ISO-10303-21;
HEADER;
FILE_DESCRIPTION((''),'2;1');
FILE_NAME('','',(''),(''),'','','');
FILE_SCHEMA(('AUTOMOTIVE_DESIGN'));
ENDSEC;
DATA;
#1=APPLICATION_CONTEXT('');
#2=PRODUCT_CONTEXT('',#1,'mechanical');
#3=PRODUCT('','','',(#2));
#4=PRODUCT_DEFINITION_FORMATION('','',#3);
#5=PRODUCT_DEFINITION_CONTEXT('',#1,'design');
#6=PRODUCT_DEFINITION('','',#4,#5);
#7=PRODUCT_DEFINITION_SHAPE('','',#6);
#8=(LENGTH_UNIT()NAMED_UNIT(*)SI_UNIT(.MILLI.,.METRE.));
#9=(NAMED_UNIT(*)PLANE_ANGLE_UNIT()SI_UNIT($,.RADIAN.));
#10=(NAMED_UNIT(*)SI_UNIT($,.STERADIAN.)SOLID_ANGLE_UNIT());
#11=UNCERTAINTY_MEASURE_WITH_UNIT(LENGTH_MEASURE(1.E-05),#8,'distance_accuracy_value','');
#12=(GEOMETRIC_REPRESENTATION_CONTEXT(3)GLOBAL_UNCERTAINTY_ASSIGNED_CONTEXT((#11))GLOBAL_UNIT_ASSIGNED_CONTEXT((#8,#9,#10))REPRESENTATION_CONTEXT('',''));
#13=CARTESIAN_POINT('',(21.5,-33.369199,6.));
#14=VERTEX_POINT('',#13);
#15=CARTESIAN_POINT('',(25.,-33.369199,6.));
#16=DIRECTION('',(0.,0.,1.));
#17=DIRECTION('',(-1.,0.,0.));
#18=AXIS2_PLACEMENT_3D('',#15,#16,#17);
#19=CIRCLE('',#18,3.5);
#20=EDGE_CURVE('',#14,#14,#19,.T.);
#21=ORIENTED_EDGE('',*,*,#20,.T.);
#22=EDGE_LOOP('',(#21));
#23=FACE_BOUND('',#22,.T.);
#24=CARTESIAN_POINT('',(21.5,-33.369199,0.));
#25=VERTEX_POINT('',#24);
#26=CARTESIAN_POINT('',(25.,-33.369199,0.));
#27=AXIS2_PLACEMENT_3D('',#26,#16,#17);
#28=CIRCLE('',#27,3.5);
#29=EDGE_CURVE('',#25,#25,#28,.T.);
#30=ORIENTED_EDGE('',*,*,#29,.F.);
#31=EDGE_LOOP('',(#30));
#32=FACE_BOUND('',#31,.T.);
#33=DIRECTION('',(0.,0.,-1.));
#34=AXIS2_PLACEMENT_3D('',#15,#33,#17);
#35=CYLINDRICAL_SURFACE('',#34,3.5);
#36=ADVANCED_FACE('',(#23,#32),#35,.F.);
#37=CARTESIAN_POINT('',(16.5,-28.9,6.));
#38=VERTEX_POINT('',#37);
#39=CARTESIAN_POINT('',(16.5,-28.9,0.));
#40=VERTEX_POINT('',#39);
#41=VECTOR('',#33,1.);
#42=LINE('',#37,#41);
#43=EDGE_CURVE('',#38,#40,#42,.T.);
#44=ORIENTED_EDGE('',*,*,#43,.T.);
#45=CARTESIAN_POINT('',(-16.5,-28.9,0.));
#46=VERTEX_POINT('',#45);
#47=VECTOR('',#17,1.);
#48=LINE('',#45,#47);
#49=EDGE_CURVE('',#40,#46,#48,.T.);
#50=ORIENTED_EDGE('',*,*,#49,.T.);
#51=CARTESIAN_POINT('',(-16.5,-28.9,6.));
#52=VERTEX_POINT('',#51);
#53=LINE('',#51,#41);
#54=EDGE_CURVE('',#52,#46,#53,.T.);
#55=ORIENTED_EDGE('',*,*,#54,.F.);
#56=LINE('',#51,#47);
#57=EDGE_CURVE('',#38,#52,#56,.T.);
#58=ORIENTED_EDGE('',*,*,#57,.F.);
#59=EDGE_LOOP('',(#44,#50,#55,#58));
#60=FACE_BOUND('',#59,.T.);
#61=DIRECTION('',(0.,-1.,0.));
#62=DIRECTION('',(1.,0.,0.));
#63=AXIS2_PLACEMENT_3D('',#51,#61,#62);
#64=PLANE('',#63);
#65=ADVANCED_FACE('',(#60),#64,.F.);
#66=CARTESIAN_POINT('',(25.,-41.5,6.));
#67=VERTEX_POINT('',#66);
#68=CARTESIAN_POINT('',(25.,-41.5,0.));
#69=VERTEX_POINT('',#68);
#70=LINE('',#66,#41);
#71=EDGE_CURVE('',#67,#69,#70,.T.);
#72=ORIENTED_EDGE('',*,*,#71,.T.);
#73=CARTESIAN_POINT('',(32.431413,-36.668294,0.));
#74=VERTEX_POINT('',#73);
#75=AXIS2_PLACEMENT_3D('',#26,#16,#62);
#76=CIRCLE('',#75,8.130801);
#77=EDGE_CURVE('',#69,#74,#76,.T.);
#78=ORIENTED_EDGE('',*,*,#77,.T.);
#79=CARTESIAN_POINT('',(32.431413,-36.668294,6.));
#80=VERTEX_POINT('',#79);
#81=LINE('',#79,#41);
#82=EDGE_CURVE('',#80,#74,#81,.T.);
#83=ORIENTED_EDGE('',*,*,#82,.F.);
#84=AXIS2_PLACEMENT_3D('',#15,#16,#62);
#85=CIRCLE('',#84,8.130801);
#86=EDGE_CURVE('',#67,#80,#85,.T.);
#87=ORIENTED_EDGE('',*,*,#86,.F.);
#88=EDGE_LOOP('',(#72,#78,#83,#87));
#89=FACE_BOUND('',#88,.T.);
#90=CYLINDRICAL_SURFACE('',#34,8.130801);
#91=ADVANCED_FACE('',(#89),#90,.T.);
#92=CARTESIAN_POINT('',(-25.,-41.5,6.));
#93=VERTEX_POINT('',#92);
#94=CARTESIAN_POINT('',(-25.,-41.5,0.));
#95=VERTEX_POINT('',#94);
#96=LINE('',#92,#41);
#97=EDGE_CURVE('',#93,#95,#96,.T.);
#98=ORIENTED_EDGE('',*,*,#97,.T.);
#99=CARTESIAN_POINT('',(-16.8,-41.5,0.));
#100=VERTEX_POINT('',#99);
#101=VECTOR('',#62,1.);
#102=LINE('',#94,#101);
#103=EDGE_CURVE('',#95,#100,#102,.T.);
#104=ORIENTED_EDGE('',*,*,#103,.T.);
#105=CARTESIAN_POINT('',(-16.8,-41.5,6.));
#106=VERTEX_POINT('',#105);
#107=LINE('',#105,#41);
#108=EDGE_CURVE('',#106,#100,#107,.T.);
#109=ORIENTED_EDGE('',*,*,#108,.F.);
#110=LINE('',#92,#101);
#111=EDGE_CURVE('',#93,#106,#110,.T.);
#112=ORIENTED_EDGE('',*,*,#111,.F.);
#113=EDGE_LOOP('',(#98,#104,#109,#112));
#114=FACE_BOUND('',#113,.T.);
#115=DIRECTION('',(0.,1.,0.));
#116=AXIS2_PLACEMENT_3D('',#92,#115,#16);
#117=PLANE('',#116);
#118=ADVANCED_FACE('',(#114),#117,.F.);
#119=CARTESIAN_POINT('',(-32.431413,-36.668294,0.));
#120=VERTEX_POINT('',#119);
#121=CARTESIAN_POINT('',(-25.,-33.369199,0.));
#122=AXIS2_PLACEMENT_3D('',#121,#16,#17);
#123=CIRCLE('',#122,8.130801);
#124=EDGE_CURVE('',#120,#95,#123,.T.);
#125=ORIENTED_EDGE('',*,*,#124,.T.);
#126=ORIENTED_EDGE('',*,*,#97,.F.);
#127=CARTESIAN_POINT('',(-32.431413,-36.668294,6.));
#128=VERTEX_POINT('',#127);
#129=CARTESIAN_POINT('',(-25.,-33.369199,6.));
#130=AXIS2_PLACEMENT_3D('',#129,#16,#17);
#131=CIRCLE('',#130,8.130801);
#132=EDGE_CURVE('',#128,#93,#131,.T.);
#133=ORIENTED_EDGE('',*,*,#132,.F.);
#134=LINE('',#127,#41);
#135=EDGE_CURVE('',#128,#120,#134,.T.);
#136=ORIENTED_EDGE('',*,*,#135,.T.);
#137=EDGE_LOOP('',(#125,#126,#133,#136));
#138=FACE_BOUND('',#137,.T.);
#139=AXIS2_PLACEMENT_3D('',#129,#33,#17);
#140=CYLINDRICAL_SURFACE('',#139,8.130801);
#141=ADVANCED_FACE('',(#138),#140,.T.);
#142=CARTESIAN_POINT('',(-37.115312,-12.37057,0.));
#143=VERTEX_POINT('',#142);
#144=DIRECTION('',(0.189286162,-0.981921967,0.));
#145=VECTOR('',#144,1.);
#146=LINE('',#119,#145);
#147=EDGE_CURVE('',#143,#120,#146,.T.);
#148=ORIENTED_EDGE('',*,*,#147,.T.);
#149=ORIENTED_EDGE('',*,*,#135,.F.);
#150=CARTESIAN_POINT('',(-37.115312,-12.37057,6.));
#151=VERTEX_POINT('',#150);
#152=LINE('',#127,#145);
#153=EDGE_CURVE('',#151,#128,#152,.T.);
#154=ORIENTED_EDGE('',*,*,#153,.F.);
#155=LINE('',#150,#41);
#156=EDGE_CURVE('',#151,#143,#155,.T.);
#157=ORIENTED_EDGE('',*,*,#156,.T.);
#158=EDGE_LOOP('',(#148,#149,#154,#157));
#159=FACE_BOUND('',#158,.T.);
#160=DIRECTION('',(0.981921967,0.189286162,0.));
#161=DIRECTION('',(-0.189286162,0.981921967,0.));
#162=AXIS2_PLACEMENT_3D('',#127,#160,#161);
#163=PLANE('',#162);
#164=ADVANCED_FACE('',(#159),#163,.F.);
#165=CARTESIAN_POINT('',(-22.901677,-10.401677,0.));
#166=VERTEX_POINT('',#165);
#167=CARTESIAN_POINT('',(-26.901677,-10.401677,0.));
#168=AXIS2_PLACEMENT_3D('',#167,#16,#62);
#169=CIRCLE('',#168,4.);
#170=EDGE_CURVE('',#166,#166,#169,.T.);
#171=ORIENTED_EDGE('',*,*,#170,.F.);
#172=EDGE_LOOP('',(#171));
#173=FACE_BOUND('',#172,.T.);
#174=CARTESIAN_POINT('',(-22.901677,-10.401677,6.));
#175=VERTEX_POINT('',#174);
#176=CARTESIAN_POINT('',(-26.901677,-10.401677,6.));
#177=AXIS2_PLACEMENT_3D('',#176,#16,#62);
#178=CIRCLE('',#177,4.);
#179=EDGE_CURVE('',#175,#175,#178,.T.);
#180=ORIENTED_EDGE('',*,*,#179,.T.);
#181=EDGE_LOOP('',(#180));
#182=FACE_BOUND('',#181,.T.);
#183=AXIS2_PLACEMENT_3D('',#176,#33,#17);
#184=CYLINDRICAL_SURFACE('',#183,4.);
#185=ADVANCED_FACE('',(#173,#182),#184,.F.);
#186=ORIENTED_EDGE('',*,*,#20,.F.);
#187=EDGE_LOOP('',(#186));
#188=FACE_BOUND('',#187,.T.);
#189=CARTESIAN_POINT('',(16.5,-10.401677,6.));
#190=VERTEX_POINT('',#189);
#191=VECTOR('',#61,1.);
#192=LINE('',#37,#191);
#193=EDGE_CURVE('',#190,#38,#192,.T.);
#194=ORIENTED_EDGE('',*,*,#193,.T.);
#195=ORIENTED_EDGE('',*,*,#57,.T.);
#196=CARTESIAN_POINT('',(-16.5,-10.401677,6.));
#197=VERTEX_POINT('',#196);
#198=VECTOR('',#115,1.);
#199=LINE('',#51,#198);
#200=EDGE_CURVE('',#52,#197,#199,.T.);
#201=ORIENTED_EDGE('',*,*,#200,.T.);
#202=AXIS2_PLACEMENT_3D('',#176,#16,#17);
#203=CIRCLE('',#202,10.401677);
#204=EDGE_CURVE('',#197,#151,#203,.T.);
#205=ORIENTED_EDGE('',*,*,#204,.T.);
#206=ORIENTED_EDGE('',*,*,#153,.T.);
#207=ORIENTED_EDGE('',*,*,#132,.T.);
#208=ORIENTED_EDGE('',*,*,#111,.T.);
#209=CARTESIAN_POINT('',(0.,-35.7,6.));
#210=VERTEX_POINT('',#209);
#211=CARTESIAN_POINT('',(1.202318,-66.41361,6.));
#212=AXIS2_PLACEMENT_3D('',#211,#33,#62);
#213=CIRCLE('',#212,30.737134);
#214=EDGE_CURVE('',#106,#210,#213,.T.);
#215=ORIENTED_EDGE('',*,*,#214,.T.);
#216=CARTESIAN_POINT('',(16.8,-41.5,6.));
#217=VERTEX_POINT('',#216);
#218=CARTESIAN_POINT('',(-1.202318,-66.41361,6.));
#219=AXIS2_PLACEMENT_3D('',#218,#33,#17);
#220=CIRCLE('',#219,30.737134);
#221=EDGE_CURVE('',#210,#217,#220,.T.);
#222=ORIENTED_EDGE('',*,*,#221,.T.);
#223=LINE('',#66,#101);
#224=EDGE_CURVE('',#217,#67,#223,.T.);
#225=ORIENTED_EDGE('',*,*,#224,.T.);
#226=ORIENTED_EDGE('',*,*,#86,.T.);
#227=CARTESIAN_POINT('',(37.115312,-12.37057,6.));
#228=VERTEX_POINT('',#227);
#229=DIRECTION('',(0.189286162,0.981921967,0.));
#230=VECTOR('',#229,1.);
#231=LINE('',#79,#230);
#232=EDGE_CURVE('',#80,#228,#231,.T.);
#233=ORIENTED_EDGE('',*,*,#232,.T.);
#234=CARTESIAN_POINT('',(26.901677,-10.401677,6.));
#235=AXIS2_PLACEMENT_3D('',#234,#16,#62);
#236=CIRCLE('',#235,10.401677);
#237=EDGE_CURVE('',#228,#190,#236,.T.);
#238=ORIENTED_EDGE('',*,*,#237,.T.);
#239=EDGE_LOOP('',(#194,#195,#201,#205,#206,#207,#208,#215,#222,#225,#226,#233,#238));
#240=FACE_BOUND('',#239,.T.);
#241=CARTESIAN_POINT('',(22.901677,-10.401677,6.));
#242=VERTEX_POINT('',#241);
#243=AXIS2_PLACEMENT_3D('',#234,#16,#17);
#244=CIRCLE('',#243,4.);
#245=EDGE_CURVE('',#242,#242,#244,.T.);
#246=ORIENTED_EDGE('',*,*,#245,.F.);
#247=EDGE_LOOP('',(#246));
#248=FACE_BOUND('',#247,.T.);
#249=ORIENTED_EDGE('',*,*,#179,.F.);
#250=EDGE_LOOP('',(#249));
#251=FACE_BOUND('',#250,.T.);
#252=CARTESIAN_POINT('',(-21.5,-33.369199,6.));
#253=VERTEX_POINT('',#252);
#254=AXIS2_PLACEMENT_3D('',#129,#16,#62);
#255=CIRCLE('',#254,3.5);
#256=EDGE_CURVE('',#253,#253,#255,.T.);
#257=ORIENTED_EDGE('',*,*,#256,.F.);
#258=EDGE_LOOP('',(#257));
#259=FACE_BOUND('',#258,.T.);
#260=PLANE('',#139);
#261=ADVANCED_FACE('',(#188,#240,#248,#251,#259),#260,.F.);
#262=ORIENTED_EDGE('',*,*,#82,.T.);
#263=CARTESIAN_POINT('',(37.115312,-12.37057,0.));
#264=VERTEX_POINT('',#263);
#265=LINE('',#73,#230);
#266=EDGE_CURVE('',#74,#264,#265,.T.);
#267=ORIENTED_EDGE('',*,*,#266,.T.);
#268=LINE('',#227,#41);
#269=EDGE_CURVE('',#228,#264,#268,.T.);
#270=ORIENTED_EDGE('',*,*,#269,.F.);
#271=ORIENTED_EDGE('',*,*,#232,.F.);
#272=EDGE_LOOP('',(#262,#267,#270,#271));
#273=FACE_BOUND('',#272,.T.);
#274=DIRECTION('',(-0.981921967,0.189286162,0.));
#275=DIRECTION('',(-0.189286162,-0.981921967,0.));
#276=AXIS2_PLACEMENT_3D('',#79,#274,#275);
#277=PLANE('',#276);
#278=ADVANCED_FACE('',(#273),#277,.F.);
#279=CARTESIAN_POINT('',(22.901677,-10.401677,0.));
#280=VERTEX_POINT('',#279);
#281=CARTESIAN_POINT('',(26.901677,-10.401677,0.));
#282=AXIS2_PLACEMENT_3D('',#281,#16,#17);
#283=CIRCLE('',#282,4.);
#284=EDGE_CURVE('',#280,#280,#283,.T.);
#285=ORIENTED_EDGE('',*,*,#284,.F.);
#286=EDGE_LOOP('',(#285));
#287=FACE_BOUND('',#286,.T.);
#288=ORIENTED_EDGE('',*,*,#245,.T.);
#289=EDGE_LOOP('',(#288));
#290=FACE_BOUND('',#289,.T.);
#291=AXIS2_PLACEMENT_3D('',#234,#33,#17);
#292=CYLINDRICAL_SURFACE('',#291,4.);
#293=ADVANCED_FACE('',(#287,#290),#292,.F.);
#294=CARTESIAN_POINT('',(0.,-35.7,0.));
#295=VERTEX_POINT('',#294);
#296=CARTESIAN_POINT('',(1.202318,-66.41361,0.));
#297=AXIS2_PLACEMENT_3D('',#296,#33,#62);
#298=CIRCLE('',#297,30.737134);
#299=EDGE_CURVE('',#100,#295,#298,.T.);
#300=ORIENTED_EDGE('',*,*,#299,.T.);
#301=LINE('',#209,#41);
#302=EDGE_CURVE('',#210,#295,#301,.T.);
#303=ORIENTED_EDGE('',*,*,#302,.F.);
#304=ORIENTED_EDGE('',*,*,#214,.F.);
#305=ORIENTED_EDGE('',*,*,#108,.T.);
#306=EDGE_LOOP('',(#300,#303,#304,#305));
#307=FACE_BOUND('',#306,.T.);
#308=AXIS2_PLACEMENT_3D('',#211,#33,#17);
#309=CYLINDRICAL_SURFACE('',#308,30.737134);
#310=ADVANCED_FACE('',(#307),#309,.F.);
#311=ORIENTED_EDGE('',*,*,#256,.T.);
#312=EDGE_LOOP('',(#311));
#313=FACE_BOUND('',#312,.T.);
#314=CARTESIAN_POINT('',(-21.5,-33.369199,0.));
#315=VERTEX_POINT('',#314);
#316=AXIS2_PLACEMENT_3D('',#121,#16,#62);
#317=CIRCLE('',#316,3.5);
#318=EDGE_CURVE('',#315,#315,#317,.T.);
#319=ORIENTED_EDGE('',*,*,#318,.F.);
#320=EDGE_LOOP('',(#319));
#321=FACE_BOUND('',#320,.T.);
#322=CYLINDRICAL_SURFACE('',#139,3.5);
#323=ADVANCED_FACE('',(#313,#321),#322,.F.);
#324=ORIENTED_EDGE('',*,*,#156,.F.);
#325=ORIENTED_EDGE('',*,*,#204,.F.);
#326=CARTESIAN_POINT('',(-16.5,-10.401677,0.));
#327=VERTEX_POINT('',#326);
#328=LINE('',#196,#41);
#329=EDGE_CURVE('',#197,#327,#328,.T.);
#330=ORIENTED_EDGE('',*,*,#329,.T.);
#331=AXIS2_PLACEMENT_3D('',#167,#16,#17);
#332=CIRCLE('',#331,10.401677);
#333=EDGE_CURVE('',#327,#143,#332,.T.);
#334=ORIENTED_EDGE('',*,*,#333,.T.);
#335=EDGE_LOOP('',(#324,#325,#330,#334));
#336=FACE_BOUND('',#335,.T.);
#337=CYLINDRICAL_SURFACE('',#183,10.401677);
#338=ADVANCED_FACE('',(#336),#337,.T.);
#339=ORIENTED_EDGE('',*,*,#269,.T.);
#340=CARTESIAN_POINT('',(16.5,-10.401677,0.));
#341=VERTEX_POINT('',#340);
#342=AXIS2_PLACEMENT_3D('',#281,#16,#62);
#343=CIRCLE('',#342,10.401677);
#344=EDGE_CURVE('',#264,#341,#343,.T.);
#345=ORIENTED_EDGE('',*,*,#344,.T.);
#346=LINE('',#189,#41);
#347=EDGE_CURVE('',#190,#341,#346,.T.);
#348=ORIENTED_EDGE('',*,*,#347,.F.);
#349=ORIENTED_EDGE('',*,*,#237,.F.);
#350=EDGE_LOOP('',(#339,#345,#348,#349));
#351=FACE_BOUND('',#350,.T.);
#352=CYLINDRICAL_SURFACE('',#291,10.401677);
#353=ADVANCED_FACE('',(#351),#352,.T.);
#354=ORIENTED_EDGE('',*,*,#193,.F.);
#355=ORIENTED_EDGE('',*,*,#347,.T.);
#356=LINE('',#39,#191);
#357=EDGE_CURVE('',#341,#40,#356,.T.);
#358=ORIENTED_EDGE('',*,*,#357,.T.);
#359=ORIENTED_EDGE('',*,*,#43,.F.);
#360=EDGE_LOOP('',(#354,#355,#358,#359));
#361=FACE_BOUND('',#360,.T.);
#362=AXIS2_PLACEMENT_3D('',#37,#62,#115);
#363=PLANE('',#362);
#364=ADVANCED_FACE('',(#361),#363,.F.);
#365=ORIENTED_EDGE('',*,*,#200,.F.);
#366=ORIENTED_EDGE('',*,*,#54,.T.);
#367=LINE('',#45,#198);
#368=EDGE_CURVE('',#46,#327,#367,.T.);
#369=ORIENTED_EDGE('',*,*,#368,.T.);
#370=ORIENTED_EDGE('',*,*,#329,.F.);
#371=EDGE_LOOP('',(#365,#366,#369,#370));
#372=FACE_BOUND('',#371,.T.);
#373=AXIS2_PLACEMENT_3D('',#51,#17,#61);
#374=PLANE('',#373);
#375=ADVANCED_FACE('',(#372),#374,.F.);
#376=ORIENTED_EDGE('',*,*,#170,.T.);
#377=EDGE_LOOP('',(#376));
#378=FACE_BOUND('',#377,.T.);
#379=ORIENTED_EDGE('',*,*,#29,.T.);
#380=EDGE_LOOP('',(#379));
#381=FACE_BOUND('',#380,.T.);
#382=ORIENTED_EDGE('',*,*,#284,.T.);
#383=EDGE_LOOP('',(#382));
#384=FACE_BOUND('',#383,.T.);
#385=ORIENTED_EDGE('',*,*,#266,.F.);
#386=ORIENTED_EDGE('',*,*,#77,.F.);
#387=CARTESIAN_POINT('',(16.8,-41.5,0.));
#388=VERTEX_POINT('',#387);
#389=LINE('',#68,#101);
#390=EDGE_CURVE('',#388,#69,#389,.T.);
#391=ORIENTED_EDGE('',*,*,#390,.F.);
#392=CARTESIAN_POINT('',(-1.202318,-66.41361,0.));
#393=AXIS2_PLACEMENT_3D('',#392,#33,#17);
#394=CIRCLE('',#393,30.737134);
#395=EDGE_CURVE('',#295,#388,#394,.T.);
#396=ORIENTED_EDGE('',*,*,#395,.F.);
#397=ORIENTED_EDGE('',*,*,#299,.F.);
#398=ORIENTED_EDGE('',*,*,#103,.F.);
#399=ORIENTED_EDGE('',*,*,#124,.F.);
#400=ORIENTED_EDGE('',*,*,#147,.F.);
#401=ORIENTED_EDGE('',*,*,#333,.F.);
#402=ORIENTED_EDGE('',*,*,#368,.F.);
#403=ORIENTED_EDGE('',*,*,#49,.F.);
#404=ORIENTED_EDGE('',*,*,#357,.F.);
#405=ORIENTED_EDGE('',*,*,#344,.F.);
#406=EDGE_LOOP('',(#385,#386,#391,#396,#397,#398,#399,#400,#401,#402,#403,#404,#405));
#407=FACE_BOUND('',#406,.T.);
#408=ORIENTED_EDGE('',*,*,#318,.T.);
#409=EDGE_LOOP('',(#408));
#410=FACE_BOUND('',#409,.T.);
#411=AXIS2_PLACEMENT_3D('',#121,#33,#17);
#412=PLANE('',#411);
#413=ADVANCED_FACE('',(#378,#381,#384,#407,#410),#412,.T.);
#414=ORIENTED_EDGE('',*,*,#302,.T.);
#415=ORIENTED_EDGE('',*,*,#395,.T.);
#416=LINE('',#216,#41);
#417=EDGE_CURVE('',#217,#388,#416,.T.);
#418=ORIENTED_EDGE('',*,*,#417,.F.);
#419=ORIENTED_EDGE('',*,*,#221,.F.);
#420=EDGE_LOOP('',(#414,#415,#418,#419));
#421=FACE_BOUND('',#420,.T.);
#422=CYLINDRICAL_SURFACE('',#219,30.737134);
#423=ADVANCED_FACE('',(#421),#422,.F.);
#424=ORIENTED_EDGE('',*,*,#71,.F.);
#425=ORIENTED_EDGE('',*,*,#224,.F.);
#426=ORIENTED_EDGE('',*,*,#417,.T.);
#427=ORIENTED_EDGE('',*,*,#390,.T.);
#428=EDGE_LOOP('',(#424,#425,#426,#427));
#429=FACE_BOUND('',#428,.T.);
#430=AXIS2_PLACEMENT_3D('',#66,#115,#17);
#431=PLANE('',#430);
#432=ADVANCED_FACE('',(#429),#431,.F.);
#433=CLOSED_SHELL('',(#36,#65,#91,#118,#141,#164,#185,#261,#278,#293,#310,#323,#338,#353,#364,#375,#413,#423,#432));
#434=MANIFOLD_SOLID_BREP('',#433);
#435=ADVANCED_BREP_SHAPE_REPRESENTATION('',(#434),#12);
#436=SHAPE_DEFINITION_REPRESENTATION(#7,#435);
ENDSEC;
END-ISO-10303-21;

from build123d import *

# Parameters (mm, degrees)
SKETCH1_R           = 4
SKETCH1_R_2         = 3.5
BOSS_EXTRUDE1_DEPTH = 6


with BuildPart() as part:
    # Sketch1 → Boss-Extrude1 (new body)
    with BuildSketch(Plane.XY):
        with BuildLine():
            Line((-25, -41.5), (-16.8, -41.5))
            ThreePointArc((-16.8, -41.5), (-8.828360495, -37.359231669), (0, -35.7))
            ThreePointArc((0, -35.7), (8.828360495, -37.359231669), (16.8, -41.5))
            Line((16.8, -41.5), (25, -41.5))
            ThreePointArc((25, -41.5), (29.432022337, -40.185877375), (32.431413249, -36.668293768))
            Line((32.431413249, -36.668293768), (37.115311752, -12.370570289))
            ThreePointArc((37.115311752, -12.370570289), (27.890603154, -0.04711718), (16.5, -10.401676805))
            Line((16.5, -10.401676805), (16.5, -28.9))
            Line((16.5, -28.9), (-16.5, -28.9))
            Line((-16.5, -28.9), (-16.5, -10.401676805))
            ThreePointArc((-16.5, -10.401676805), (-27.890603154, -0.04711718), (-37.115311752, -12.370570289))
            Line((-37.115311752, -12.370570289), (-32.431413249, -36.668293768))
            ThreePointArc((-32.431413249, -36.668293768), (-29.432022337, -40.185877375), (-25, -41.5))
        make_face()
        with Locations((-26.901676805, -10.401676805)):
            Circle(SKETCH1_R, mode=Mode.SUBTRACT)
        with Locations((-25, -33.369198558)):
            Circle(SKETCH1_R_2, mode=Mode.SUBTRACT)
        with Locations(Location((25, -33.369198558, 0), (0, 0, 180))):
            Circle(SKETCH1_R_2, mode=Mode.SUBTRACT)
        with Locations(Location((26.901676805, -10.401676805, 0), (0, 0, 180))):
            Circle(SKETCH1_R, mode=Mode.SUBTRACT)
    extrude(amount=BOSS_EXTRUDE1_DEPTH)


solid = part.part
